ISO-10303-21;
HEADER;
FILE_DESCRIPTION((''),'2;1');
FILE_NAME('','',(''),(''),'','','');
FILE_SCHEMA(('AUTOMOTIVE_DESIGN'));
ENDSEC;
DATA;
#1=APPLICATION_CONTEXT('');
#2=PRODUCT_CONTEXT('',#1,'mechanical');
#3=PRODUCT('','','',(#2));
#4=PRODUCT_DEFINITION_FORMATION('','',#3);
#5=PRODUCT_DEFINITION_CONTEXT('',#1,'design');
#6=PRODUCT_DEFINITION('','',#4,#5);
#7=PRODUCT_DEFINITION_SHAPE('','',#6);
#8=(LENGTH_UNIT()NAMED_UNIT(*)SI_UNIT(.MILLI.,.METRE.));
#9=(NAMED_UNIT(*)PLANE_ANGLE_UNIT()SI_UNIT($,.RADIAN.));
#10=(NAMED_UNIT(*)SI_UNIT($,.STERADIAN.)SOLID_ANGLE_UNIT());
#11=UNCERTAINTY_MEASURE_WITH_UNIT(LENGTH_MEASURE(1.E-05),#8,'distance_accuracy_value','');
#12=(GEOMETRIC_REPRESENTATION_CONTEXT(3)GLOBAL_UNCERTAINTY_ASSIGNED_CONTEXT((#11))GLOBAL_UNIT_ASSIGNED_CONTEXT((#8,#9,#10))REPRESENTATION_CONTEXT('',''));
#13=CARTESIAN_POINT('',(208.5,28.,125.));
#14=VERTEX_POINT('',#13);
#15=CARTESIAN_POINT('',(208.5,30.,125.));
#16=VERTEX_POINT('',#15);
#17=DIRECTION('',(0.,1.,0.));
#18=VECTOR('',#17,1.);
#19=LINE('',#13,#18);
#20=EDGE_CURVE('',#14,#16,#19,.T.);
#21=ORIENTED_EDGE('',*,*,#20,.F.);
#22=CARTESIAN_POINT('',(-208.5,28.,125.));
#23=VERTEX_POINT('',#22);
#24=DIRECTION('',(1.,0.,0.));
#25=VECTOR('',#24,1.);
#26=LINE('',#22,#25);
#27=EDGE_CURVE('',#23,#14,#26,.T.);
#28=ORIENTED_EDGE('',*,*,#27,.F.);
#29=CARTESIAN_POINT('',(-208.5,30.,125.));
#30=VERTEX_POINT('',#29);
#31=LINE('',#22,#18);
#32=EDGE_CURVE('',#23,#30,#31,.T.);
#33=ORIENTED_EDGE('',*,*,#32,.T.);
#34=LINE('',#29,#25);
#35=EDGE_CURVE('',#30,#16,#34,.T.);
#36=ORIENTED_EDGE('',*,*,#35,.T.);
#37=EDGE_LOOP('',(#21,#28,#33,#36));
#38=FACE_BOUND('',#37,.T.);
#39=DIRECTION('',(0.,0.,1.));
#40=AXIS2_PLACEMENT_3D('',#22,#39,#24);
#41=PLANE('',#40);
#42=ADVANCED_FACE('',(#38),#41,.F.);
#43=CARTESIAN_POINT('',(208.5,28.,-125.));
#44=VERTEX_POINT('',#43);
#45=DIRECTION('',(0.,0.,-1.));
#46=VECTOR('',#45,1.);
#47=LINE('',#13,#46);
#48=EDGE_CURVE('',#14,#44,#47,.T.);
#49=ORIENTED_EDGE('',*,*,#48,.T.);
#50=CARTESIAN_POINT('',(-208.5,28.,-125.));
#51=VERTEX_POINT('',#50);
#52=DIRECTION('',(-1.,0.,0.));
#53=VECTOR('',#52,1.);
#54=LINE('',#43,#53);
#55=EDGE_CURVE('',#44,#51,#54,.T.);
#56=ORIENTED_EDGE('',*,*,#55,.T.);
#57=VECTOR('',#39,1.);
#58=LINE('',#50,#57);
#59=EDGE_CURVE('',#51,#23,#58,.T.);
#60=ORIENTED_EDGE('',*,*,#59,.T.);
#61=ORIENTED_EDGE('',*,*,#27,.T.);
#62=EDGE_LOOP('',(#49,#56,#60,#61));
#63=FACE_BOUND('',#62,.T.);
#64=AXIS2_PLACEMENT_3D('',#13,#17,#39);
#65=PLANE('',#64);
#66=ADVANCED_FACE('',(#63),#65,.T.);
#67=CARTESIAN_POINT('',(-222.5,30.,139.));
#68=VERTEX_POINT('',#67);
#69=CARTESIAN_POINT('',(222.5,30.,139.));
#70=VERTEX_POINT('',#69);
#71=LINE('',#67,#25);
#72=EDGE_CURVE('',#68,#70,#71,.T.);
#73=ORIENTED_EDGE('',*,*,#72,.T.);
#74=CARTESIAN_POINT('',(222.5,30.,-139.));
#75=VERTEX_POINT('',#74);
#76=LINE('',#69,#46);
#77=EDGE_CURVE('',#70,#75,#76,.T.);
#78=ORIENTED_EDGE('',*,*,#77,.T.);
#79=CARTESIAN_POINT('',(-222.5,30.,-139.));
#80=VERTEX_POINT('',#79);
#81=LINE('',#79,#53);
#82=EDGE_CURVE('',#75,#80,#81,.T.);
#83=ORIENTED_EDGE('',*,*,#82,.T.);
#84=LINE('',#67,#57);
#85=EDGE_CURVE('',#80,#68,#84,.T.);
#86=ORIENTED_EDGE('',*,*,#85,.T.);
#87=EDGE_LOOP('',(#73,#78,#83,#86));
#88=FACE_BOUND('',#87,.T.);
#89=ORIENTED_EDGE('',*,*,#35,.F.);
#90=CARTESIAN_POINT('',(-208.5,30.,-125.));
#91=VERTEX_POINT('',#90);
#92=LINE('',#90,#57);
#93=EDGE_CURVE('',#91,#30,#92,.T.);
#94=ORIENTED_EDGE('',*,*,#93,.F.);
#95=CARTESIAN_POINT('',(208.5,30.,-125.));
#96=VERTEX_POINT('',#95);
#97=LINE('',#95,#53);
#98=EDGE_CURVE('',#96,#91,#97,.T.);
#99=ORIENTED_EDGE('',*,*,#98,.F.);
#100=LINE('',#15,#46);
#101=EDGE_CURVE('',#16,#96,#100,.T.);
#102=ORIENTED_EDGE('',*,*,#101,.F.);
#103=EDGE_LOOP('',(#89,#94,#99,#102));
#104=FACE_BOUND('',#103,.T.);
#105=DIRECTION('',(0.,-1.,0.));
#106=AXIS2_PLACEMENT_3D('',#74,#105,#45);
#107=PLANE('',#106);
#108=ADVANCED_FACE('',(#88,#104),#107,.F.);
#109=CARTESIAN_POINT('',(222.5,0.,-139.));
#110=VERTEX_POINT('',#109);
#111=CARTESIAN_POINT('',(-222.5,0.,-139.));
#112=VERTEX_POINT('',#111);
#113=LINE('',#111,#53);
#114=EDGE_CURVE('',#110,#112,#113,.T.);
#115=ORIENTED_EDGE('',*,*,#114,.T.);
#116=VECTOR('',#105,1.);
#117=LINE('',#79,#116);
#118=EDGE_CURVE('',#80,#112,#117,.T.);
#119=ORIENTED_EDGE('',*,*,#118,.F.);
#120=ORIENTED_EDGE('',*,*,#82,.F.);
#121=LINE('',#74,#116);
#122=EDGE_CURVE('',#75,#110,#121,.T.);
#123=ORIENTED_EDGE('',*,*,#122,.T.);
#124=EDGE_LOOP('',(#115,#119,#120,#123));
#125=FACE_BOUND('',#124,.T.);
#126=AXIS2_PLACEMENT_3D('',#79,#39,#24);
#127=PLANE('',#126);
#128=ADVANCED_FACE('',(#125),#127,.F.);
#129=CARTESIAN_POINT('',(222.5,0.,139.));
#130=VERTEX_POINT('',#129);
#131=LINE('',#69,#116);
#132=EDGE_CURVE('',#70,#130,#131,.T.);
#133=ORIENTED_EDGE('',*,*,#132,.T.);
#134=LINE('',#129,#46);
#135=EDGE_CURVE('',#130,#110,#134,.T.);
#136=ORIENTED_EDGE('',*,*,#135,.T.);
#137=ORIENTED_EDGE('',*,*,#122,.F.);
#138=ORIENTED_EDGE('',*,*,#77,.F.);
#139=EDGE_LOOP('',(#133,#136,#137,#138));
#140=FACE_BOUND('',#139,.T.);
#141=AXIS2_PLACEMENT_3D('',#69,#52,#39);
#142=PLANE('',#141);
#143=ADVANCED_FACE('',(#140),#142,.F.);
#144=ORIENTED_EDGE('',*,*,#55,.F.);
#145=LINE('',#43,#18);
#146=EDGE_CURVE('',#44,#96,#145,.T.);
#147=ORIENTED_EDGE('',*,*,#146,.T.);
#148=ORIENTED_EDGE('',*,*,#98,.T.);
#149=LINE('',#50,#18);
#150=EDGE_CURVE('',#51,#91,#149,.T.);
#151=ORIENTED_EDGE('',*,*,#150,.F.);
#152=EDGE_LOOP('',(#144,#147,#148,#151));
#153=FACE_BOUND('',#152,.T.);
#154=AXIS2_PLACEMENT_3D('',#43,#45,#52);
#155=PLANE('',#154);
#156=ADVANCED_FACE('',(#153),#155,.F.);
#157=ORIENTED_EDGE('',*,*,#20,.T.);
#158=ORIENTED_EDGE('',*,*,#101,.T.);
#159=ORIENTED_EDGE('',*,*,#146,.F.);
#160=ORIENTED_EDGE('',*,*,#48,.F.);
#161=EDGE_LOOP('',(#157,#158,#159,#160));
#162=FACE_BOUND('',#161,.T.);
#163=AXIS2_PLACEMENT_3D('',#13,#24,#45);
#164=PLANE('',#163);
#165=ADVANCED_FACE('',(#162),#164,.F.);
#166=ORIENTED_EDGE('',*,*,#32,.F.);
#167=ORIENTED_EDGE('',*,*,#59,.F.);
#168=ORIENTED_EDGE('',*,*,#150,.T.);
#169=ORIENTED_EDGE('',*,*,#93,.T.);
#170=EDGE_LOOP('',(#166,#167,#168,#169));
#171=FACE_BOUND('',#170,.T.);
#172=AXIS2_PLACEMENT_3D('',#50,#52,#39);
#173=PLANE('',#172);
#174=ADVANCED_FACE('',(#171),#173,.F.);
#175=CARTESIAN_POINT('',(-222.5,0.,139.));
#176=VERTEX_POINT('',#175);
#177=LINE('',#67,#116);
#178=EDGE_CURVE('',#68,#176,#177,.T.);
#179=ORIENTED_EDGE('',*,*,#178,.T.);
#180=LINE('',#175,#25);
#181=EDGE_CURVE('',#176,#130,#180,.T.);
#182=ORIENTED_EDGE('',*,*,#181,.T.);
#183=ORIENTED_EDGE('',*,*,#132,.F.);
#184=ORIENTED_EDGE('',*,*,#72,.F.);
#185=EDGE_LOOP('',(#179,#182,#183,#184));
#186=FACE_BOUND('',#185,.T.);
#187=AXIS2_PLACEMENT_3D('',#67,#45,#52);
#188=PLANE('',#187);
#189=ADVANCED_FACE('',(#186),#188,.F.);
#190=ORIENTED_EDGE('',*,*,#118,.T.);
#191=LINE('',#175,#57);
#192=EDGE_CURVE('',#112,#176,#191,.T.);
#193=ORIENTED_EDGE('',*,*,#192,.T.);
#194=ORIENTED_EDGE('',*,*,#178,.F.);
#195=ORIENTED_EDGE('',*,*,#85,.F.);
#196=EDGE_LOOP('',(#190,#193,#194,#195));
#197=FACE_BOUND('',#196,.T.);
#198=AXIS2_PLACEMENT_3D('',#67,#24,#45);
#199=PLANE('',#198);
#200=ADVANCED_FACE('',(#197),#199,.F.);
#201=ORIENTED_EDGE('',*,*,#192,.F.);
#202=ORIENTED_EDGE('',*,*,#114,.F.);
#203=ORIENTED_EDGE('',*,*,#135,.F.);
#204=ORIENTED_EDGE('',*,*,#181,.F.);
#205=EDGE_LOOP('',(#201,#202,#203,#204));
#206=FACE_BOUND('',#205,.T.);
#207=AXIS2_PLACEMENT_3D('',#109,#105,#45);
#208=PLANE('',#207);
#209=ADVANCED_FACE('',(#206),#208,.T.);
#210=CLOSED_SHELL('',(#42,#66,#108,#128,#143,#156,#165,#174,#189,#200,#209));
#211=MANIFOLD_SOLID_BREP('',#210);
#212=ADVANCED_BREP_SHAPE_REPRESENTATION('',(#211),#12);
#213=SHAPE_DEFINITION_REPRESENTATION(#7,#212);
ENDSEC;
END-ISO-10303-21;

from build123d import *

# Parameters (mm, degrees)
SKETCH_1_W          = 445
SKETCH_1_H          = 278
EXTRUDE_1_DEPTH     = 30
SKETCH_2_W          = 417
SKETCH_2_H          = 250
CUT_EXTRUDE_1_DEPTH = 2


with BuildPart() as part:
    # 草圖1 → 填料-伸長1 (new body)
    with BuildSketch(Plane(origin=(0, 0, 0), x_dir=(1, 0, 0), z_dir=(0, 1, 0))):
        Rectangle(SKETCH_1_W, SKETCH_1_H)
    extrude(amount=EXTRUDE_1_DEPTH)

    # 草圖2 → 除料-伸長1 (cut)
    with BuildSketch(Plane(origin=(0, 30, 0), x_dir=(1, 0, 0), z_dir=(0, 1, 0))):
        Rectangle(SKETCH_2_W, SKETCH_2_H)
    extrude(amount=-CUT_EXTRUDE_1_DEPTH, mode=Mode.SUBTRACT)


solid = part.part
